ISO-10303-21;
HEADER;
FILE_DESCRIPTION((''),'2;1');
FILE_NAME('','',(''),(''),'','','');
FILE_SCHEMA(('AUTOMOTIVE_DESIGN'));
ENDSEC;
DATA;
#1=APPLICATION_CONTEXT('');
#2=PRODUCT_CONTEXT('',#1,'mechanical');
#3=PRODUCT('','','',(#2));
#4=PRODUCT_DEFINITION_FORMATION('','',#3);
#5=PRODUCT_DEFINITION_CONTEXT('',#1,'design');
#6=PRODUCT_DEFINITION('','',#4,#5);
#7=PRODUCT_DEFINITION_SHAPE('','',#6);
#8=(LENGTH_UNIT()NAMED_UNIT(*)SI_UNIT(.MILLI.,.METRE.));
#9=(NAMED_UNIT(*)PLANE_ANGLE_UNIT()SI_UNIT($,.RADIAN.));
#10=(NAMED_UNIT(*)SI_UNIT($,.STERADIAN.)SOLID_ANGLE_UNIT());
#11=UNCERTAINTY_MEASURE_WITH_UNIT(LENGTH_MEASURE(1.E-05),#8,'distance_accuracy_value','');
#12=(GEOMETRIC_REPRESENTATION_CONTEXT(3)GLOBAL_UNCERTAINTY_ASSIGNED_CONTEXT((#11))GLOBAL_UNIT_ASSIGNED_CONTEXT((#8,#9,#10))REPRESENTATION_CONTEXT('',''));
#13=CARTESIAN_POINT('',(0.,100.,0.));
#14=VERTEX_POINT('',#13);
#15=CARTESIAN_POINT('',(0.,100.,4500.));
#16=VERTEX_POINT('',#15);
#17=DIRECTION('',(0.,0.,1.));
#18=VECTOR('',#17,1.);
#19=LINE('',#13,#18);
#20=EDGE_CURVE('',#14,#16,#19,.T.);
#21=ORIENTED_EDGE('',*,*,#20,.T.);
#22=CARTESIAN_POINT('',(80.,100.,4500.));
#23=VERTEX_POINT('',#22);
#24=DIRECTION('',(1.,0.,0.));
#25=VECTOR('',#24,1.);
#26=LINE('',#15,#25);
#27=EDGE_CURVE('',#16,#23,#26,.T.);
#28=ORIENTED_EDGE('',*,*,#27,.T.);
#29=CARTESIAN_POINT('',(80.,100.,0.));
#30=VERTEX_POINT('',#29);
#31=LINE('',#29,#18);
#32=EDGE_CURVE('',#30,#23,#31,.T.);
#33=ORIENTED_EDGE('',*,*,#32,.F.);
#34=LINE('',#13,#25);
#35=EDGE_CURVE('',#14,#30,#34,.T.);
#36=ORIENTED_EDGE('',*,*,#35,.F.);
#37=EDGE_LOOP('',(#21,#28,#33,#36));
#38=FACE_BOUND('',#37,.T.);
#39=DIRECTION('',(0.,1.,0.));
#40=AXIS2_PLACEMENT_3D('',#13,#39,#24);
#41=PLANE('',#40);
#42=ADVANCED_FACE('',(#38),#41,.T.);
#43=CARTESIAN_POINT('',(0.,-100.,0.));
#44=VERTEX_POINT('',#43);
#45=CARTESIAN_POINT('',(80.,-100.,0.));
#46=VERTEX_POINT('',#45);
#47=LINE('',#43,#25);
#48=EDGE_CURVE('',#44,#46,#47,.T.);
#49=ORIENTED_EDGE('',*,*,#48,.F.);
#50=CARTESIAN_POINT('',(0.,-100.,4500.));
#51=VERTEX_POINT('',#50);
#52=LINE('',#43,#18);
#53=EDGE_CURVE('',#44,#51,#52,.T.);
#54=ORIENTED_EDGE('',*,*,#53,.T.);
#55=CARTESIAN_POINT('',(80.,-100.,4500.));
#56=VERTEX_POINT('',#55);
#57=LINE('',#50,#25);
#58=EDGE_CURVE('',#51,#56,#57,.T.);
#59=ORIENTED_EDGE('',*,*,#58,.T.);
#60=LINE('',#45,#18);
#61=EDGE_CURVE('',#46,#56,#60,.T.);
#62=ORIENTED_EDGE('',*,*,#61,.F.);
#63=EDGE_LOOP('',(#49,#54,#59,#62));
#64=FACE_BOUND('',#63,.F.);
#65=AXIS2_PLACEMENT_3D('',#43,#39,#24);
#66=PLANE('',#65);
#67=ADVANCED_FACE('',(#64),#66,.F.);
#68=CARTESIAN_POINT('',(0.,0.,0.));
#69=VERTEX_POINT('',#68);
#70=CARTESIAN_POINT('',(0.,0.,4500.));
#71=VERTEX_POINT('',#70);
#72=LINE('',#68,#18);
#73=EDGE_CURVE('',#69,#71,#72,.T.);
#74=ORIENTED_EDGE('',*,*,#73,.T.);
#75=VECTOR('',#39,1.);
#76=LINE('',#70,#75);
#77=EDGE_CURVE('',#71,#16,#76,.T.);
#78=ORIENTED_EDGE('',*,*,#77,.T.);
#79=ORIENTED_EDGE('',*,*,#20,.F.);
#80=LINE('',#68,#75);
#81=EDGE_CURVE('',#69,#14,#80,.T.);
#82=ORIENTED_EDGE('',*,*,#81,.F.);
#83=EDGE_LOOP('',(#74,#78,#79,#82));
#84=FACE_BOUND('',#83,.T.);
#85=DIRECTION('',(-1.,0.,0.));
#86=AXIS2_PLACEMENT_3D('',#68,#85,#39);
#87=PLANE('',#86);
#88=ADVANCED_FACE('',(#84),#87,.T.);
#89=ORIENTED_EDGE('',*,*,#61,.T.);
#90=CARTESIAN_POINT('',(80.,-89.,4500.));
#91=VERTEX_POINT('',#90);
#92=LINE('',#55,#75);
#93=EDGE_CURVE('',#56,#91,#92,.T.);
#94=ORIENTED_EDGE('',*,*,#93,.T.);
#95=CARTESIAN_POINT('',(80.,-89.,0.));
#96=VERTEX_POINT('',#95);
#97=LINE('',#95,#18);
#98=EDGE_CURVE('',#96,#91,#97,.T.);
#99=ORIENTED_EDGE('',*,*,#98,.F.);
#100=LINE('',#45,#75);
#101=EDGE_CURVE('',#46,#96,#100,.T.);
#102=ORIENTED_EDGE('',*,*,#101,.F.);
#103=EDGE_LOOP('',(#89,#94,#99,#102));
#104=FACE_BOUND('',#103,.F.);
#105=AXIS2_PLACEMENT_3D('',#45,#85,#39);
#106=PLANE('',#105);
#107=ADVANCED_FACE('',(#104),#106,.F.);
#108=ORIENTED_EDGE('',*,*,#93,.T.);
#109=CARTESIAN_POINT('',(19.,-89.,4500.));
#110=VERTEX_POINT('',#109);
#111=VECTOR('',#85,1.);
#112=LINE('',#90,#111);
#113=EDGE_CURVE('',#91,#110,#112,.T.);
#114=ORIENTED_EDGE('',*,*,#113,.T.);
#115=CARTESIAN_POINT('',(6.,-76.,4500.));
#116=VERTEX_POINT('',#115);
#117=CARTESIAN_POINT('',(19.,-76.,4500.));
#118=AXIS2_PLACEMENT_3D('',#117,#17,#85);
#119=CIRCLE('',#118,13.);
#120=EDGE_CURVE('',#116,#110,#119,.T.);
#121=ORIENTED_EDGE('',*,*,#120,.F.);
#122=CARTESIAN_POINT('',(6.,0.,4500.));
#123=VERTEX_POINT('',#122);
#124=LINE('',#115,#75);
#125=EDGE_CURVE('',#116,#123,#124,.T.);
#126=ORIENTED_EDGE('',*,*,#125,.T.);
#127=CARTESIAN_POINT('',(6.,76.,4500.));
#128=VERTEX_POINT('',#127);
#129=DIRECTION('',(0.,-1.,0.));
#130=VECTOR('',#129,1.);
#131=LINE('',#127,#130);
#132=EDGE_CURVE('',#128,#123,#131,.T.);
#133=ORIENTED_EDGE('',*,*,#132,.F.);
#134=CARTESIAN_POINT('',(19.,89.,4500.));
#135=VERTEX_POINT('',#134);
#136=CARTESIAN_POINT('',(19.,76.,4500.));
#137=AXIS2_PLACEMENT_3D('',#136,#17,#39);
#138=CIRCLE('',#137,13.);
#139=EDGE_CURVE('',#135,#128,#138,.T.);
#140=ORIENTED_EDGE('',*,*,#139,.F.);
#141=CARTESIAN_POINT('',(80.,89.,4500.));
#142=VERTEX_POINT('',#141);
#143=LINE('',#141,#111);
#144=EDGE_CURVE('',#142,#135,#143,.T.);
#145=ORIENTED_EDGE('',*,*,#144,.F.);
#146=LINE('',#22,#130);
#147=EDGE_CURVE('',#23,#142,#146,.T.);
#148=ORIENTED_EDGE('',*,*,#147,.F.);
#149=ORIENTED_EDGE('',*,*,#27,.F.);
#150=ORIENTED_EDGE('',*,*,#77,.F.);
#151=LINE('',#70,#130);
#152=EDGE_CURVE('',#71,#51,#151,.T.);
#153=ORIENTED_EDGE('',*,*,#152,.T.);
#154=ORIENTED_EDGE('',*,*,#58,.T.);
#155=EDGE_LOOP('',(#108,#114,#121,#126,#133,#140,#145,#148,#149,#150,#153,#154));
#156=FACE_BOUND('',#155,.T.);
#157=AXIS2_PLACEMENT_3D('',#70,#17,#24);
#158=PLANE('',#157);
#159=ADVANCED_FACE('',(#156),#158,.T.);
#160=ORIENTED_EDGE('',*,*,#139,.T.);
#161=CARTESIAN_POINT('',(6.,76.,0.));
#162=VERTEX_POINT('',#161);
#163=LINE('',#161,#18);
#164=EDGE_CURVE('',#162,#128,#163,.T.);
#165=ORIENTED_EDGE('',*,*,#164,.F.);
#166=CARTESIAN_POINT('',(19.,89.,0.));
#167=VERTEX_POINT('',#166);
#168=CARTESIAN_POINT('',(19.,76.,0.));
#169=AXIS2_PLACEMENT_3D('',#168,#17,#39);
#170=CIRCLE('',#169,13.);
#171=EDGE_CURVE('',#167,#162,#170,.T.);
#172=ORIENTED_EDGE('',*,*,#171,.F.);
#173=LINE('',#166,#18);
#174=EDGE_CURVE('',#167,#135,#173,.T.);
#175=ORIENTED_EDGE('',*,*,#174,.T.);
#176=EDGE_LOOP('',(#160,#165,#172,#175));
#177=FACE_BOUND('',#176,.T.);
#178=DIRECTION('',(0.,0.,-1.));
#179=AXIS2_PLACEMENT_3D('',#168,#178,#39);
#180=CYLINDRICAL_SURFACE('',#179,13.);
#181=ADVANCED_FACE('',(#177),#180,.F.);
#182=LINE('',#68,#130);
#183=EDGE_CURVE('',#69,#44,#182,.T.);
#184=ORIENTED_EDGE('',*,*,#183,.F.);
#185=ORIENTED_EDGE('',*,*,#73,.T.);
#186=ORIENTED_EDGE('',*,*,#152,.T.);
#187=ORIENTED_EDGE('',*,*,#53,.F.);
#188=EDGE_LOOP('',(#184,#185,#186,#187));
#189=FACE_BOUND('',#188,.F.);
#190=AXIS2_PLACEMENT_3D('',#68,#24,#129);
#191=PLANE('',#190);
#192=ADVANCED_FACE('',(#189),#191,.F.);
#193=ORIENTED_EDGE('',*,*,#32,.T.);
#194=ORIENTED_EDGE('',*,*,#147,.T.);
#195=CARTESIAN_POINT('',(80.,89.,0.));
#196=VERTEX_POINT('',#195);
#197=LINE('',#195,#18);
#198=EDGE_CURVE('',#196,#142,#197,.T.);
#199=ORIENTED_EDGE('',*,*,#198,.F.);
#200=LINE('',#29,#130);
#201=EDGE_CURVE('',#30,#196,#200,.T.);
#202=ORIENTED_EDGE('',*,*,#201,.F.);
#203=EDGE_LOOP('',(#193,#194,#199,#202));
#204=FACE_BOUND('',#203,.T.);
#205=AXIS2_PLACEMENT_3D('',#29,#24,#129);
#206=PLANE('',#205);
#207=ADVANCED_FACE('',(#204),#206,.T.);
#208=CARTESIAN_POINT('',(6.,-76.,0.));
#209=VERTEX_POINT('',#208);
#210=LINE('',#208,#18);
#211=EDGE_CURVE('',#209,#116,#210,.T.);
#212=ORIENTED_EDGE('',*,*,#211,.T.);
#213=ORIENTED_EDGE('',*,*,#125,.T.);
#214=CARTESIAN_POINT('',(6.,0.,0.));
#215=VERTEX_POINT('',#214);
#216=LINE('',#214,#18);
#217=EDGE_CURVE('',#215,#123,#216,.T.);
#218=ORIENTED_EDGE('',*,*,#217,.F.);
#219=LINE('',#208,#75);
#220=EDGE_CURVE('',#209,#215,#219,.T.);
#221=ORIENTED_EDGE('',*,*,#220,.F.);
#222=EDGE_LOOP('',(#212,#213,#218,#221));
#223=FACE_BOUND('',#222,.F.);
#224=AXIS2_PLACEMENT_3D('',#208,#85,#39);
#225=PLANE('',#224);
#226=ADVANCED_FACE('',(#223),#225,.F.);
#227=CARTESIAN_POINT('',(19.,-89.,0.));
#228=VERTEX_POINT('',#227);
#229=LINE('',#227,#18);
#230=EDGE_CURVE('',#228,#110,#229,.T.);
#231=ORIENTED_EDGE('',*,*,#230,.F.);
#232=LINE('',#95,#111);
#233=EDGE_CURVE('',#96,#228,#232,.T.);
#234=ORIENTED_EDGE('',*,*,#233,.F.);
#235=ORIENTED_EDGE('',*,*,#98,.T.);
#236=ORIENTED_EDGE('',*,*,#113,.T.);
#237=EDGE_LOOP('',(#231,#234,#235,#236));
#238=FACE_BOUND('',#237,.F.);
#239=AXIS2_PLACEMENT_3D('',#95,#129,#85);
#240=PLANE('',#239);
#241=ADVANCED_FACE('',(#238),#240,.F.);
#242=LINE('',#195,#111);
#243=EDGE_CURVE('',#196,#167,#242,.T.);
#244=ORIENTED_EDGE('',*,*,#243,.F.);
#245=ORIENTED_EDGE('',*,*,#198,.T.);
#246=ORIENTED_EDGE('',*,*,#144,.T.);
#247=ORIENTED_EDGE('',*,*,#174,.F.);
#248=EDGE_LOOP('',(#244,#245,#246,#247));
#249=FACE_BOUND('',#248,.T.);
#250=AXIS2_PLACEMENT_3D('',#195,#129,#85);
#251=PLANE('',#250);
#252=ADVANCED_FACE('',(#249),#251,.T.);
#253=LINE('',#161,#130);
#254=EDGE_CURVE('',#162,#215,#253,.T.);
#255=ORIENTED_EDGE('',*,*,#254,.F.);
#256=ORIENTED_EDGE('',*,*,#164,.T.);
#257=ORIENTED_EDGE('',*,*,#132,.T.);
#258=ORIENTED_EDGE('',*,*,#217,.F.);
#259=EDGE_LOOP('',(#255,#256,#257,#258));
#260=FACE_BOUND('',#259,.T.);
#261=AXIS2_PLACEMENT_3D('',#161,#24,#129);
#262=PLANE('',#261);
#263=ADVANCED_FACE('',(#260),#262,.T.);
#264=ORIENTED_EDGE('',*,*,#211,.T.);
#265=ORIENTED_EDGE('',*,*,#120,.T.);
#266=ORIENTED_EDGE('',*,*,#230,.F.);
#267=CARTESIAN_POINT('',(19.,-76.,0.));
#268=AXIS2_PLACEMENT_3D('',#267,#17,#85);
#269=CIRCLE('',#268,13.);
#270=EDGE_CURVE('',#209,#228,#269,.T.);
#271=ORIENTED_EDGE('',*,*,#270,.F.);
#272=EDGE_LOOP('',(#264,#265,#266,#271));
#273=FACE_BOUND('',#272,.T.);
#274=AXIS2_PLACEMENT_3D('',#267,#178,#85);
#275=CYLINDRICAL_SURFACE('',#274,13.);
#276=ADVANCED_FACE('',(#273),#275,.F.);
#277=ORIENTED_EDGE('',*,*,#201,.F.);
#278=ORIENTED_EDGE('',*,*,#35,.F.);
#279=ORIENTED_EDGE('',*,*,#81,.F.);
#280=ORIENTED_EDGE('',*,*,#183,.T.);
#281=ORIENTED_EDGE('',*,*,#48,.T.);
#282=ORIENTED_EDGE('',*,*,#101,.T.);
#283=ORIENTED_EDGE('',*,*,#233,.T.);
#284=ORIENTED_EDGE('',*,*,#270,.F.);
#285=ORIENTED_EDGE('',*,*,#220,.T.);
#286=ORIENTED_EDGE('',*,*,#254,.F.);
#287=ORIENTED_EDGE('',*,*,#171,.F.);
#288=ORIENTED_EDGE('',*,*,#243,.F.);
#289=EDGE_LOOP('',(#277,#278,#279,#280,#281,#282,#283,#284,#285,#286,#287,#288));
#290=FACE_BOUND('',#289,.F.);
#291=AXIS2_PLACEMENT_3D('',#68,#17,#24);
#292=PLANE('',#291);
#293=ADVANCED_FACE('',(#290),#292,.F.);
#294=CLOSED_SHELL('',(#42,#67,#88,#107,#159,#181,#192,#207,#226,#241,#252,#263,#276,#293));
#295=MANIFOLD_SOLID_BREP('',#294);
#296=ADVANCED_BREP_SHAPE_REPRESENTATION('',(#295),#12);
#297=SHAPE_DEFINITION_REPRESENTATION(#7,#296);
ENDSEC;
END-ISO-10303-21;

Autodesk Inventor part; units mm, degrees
ref_plane "YZ Plane" through (0, 0, 0) normal (1, 0, 0) x (0, 1, 0)
ref_plane "Start plane" through (0, 0, 0) normal (0, 0, 1) x (1, 0, 0)
ref_plane "End plane" through (0, 0, 4500) normal (0, 0, 1) x (1, 0, 0)
sketch "Sketch" plane through (0, 0, 0) normal (0, 0, 1) x (1, 0, 0)
  line L0 (0, 0) -> (0, 100)
  line L1 (0, 100) -> (80, 100)
  line L2 (80, 100) -> (80, 89)
  line L3 (80, 89) -> (19, 89)
  line L4 (6, 76) -> (6, 0)
  line L5 (6, 0) -> (0, 0) construction
  line L6 (25.6, 100) -> (25.6, 89) construction
  line L7 (80, 89) -> (80, 89) construction
  line L8 (80, 89) -> (25.6, 89) construction
  line L9 (0, 12) -> (0, -30) construction
  line L10 (-1.5, 0) -> (19.5, 0) construction
  line L11 (0, 0) -> (0, -100)
  line L12 (0, -100) -> (80, -100)
  line L13 (80, -100) -> (80, -89)
  line L14 (80, -89) -> (19, -89)
  line L15 (6, -76) -> (6, 0)
  arc A0 (6, -76) -> (19, -89) centre (19, -76) ccw
  arc A1 (19, 89) -> (6, 76) centre (19, 76) ccw
  line L16 (0, 140) -> (0, -140) construction
  line L17 (-17.8, 0) -> (96.3, 0) construction
  point P0 (6, 89)
  point P1 (6, -89)
  point P2 (25.6, -100)
  point P3 (25.6, -89)
  dimension "d0" = 6
  dimension "d1" = 100
  dimension "d2" = 80
  dimension "d3" = 11
  dimension "d5" = 0
  dimension "d23" = 13
  dimension "d24" = 0
  dimension "d29" = 25.6
extrude "Body" add sketch "Sketch" along normal up to surface (4500 mm away) from surface at 0
sketch "Sketch3" plane through (0, 0, 0) normal (0, 0, 1) x (1, 0, 0)
  line L0 (0, 0) -> (10, 0)
ref_plane "Work Plane3" through (0, 0, 0) normal (0, -1, 0) x (1, 0, 0)
sketch "Sketch4" plane through (0, 0, 0) normal (0, -1, 0) x (1, 0, 0)
  line L0 (-2, 0) -> (12, 0)
  line L1 (-2, 4500) -> (12, 4500)
  dimension "d28" = 4500
equation "\"d0\" = G_T"
equation "\"d1\" = 0.5 * G_H"
equation "\"d2\" = G_W"
equation "\"d3\" = G_T1"
equation "\"d23\" = G_IR"
equation "\"d29\" = G_C"
equation "\"d6\" = G_L"
equation "\"G_W\" = 80"
equation "\"G_H\" = 200"
equation "\"G_T\" = 6"
equation "\"G_T1\" = 11"
equation "\"G_NG\" = 0"
equation "\"G_IR\" = 13"
equation "\"G_C\" = 25.6"
equation "\"G_L\" = d28"
equation "\"ex\" = 0"
equation "\"G_OFFSET_START\" = 0"
equation "\"G_OFFSET_END\" = 0"
properties part number "DIN 1026-2 - UPE 200 - 4500" material "Steel, Mild"
